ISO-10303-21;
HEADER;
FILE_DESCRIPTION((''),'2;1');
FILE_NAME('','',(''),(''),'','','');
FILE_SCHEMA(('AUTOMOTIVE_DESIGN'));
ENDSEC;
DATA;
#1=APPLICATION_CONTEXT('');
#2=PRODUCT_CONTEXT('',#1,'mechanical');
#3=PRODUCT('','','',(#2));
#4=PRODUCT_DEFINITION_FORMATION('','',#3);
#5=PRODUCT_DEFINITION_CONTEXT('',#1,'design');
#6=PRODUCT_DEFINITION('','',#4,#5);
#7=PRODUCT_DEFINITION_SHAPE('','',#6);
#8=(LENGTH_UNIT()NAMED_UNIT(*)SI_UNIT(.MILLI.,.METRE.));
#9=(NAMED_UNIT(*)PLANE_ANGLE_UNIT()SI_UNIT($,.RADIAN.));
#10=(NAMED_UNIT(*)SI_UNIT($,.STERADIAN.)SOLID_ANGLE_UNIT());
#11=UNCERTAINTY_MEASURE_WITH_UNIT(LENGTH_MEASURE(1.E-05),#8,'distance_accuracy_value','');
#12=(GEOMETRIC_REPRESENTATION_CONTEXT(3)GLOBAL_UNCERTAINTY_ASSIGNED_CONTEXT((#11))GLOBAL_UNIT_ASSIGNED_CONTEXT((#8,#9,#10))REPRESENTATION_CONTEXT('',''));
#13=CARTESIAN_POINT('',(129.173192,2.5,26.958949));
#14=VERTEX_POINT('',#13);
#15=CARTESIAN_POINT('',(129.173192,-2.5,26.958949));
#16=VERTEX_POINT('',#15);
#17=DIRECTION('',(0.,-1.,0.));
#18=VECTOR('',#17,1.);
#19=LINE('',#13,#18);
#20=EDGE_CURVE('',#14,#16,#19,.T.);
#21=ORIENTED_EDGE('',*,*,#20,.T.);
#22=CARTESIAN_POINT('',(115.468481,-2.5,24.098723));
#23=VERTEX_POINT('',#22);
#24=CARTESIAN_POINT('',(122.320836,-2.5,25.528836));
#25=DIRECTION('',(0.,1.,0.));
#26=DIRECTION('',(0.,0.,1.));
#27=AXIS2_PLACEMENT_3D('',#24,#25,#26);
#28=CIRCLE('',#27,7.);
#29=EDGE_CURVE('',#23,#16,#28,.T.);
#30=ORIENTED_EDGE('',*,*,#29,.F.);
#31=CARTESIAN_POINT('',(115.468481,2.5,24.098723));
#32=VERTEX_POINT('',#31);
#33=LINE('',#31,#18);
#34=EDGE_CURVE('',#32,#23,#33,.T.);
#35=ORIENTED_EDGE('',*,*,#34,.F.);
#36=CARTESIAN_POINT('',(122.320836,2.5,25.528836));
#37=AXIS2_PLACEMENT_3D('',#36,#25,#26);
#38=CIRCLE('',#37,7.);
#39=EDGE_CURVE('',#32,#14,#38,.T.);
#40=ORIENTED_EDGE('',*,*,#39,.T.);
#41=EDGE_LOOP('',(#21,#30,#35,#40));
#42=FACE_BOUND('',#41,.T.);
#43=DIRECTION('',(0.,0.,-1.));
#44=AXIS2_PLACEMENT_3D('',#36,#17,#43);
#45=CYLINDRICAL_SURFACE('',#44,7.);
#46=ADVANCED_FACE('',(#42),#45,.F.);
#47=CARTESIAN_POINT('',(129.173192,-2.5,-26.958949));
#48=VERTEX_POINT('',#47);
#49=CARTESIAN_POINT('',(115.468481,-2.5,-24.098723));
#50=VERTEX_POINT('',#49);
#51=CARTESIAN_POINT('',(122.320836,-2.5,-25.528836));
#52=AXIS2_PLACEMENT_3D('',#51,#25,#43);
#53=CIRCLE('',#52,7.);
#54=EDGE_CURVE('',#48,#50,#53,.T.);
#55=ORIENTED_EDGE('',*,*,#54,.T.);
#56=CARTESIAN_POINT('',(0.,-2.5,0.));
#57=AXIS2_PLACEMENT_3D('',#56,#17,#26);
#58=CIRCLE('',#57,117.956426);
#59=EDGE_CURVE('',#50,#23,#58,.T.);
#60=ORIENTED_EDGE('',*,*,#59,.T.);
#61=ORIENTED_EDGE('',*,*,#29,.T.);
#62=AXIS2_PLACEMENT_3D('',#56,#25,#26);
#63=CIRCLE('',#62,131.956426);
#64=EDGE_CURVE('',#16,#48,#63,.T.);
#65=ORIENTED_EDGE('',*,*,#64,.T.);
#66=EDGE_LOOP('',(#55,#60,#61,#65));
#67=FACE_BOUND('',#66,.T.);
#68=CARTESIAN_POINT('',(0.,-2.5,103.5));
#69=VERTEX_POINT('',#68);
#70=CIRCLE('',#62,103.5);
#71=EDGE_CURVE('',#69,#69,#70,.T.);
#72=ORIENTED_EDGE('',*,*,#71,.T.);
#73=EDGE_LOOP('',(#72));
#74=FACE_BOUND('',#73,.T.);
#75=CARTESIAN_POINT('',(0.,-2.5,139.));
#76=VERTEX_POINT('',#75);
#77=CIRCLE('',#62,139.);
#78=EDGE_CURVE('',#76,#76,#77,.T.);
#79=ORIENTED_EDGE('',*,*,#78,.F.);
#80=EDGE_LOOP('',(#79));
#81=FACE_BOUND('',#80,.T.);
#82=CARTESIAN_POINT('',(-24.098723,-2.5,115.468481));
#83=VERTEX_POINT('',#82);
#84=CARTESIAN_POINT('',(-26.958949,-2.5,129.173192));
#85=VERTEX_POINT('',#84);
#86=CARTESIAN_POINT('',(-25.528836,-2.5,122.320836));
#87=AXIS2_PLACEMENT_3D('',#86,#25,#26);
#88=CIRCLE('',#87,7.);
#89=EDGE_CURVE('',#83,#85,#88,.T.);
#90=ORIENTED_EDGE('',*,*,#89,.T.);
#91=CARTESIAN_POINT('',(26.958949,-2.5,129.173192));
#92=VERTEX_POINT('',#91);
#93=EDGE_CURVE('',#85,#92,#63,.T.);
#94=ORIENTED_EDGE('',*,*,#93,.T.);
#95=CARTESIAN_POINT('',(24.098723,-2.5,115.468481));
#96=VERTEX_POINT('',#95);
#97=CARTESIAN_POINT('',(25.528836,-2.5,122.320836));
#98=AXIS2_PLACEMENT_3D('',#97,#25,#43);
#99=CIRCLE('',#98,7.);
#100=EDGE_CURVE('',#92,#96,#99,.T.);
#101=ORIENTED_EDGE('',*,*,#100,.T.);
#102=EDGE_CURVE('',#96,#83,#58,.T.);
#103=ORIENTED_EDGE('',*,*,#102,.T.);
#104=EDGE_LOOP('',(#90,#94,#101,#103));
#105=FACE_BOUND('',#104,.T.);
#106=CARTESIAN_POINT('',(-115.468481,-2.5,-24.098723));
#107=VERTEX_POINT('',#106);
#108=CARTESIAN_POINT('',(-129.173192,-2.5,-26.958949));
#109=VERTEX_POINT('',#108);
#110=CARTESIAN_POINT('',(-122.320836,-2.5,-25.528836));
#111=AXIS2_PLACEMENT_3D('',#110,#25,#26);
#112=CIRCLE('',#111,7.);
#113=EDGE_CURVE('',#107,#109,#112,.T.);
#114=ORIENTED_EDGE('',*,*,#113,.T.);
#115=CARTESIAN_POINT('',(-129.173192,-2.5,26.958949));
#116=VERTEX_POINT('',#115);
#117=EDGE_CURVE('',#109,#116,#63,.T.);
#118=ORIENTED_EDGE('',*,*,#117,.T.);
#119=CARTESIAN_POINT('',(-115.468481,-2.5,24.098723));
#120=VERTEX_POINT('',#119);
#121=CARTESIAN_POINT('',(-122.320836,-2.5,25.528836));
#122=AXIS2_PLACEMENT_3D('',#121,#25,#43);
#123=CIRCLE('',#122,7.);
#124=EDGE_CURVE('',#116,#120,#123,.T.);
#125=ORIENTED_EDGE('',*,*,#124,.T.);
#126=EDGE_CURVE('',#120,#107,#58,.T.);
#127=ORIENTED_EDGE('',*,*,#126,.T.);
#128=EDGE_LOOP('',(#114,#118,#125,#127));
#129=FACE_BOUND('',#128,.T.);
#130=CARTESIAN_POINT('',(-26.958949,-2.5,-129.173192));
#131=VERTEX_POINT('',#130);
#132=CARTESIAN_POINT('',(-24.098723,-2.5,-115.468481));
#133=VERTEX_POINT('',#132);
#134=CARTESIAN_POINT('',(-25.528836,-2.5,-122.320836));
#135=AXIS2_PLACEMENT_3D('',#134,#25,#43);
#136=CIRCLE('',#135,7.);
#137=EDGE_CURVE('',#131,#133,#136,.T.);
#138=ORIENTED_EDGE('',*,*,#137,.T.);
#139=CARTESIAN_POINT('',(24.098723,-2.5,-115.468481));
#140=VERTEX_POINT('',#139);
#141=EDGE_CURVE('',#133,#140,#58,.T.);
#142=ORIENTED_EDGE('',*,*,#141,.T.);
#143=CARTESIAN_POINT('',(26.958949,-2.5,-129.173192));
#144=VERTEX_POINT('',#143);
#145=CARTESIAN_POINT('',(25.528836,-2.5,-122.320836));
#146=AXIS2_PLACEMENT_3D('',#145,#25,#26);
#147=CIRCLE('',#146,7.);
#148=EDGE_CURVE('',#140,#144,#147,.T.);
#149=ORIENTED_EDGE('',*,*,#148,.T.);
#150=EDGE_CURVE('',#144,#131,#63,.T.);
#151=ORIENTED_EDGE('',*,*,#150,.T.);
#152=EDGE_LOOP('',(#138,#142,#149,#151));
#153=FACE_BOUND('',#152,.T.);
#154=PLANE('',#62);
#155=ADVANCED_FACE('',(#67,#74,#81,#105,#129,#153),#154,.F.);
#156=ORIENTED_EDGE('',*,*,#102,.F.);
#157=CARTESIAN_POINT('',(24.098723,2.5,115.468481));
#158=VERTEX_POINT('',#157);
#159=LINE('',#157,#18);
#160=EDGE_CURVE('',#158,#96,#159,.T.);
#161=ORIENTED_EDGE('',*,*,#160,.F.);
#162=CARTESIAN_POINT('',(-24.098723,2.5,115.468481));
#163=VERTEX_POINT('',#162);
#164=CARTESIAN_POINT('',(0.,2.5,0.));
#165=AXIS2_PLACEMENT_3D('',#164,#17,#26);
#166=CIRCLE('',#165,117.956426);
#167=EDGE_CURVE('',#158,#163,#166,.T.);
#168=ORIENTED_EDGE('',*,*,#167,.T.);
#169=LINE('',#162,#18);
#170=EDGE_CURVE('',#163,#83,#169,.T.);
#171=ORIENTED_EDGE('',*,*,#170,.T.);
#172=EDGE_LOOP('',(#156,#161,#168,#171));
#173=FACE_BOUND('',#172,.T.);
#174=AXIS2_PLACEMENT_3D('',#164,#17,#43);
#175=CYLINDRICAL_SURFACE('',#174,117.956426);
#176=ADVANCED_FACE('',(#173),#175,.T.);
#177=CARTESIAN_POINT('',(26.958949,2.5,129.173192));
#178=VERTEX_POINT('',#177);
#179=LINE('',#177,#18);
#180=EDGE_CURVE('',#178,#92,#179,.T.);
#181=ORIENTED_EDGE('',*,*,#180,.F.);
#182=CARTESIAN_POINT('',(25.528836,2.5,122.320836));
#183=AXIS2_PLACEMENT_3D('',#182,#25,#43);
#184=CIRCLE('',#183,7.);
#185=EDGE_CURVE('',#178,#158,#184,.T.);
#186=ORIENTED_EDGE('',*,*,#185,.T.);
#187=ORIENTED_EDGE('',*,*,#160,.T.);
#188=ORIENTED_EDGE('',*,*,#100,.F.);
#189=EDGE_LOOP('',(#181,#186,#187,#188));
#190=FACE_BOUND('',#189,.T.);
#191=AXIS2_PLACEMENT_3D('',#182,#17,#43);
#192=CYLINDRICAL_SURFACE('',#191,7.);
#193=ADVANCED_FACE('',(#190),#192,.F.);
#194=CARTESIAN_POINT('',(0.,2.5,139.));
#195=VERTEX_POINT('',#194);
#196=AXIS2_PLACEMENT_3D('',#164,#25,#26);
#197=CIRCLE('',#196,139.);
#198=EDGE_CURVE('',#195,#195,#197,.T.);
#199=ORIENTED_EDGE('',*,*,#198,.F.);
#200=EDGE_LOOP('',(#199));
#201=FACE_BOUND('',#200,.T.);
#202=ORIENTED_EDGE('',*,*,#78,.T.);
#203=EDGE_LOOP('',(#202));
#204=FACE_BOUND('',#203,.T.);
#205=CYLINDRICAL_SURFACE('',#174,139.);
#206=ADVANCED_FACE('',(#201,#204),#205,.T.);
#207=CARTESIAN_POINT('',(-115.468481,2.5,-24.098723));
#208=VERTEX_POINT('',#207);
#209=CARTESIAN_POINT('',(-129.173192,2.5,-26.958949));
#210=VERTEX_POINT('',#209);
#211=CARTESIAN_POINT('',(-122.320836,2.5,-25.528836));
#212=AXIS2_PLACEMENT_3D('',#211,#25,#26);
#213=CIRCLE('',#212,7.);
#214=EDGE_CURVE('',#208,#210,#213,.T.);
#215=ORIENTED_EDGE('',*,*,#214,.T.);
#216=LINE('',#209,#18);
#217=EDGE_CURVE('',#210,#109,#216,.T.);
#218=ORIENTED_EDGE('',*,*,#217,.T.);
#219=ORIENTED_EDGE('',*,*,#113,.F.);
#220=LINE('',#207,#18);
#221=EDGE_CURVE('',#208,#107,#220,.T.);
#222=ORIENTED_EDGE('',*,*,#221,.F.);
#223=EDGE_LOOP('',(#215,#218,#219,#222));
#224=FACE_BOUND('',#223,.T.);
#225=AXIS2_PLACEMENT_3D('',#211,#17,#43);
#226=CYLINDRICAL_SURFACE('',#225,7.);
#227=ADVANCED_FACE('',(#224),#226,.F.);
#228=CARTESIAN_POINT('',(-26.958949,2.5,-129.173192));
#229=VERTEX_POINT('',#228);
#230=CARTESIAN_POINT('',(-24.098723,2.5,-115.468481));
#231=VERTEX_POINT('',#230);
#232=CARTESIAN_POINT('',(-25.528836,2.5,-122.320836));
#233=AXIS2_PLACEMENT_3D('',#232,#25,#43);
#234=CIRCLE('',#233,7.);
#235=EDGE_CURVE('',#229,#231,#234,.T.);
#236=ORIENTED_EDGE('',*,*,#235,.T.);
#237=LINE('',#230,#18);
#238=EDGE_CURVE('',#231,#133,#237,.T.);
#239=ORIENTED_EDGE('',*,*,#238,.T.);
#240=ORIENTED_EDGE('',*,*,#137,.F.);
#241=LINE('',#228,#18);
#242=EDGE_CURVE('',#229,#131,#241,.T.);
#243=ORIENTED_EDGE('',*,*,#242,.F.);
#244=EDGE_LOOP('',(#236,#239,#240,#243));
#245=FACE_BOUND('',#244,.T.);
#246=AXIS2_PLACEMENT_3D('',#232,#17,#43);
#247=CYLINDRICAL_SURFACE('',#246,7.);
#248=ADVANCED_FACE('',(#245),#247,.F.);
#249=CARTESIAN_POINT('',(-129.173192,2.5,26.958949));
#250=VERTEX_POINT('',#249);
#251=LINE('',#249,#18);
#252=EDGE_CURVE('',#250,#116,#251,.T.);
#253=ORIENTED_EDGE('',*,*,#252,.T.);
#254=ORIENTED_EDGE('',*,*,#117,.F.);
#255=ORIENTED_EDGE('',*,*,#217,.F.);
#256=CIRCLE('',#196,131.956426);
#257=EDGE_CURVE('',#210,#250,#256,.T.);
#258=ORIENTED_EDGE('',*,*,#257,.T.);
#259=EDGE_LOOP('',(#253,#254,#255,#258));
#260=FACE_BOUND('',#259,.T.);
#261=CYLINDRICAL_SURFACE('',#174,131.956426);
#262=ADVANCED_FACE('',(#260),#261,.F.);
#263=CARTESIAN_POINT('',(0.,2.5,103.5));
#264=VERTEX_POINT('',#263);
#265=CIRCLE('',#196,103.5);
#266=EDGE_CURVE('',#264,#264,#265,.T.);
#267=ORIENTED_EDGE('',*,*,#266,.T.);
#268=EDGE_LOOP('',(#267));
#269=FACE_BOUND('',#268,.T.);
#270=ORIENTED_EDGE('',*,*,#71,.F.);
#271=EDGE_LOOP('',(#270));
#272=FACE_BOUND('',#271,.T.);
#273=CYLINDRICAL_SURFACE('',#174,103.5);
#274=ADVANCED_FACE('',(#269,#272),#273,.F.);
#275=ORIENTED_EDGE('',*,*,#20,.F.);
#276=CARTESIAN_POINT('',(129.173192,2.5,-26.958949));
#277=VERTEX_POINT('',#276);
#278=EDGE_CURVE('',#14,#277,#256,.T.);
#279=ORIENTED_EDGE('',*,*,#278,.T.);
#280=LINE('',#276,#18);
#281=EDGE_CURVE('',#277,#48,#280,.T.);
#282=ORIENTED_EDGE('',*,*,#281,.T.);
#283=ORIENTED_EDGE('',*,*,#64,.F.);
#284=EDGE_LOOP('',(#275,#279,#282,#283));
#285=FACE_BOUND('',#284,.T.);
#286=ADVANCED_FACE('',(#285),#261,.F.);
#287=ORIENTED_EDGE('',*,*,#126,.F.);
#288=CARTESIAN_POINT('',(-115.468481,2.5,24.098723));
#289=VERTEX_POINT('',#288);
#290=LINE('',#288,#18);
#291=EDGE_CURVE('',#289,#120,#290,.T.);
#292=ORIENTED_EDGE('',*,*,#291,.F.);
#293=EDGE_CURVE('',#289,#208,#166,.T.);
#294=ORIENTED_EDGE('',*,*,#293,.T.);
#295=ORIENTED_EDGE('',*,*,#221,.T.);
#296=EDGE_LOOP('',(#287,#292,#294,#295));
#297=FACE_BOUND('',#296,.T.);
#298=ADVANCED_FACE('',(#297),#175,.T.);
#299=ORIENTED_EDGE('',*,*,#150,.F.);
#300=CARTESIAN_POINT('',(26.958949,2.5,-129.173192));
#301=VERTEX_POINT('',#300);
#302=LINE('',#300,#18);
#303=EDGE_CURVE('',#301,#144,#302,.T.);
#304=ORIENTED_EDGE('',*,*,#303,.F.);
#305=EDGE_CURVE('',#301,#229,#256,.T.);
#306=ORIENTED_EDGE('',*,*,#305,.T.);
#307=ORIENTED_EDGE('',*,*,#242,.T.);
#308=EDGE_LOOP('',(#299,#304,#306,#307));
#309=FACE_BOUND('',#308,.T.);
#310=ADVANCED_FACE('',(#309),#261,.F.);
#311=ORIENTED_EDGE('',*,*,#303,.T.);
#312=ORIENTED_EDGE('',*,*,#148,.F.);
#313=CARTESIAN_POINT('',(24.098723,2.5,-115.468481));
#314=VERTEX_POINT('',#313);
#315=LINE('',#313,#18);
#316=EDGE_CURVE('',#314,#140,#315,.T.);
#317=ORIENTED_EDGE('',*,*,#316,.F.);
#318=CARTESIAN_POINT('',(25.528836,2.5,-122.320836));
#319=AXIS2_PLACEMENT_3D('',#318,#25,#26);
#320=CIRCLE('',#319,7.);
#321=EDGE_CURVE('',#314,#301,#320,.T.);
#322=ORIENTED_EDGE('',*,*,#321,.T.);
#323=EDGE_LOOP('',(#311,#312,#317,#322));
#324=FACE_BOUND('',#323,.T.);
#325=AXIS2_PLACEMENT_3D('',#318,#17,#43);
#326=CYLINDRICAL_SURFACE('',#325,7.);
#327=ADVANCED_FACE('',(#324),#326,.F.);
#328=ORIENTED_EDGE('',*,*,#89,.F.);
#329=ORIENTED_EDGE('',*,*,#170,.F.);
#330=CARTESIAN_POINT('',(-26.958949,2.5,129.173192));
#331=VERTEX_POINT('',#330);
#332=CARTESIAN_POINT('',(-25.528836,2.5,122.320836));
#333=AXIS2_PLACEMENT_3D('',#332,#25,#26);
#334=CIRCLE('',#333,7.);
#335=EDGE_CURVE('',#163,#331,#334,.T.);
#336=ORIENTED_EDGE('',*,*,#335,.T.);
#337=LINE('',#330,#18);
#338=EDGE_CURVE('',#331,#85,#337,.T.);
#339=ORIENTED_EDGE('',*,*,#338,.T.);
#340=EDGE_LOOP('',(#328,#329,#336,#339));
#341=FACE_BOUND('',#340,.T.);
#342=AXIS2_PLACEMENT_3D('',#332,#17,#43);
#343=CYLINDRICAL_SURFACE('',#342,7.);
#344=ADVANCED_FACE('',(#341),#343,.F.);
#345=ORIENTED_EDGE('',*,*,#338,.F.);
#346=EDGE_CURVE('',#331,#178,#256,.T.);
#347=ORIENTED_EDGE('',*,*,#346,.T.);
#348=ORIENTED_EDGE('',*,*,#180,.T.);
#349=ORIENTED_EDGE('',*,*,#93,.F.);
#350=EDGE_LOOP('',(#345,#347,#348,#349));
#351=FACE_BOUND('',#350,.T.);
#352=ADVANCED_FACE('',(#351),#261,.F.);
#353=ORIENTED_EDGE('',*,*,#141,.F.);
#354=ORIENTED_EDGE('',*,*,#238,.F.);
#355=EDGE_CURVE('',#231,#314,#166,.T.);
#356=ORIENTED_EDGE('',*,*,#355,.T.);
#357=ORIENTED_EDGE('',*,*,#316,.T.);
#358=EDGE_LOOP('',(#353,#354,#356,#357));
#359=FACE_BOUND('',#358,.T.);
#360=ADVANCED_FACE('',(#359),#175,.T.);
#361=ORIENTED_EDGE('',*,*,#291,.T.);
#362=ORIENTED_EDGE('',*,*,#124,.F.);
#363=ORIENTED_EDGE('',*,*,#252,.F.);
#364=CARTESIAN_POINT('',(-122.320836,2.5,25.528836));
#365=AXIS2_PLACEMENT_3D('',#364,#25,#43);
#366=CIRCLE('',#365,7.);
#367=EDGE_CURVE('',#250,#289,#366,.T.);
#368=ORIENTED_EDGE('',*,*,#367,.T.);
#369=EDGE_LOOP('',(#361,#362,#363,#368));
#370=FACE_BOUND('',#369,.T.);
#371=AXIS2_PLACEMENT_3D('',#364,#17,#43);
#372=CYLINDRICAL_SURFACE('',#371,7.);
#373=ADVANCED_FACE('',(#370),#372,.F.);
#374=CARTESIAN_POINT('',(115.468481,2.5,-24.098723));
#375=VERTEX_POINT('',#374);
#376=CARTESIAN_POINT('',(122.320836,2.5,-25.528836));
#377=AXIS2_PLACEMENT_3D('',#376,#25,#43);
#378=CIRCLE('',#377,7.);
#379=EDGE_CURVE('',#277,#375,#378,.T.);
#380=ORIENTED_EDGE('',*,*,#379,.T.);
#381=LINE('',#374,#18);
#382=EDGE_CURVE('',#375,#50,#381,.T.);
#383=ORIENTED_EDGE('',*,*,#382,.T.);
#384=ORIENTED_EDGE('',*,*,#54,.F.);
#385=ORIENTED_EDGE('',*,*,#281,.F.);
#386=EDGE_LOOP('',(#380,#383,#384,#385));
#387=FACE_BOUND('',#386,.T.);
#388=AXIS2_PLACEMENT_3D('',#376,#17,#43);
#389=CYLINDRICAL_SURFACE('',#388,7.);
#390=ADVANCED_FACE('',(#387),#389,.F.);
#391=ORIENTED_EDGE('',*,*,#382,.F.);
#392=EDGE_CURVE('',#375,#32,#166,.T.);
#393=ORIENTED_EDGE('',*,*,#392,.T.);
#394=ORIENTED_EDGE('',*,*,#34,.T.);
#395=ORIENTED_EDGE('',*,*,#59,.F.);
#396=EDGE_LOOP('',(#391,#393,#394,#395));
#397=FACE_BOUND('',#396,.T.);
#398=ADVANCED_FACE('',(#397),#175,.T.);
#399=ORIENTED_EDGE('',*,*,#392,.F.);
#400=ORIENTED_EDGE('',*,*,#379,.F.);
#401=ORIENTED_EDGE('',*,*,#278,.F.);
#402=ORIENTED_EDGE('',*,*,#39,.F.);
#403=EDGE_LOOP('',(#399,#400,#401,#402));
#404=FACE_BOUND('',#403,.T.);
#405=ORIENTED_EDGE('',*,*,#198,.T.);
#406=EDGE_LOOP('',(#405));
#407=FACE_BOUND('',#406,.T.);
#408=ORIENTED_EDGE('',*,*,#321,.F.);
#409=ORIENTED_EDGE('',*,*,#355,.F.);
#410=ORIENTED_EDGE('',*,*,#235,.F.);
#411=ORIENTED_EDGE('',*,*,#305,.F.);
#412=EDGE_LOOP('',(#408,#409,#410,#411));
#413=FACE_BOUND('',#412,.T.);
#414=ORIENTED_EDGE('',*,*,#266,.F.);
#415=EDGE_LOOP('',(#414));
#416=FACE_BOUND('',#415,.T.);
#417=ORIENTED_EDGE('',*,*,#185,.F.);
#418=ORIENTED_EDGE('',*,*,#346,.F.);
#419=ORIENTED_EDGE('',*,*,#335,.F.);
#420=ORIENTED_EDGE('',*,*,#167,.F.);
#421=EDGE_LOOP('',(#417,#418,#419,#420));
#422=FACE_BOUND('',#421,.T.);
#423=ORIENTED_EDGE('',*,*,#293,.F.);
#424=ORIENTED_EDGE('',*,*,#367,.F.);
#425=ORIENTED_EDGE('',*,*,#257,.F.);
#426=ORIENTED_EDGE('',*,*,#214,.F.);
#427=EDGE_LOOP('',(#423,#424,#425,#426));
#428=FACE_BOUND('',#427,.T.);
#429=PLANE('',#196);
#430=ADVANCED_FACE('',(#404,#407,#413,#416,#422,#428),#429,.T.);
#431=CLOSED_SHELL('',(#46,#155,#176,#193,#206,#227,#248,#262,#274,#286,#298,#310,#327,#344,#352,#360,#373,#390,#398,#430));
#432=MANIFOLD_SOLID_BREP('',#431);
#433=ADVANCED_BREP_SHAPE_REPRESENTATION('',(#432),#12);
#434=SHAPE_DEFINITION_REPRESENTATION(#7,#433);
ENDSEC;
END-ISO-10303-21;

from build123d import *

# Parameters (mm, degrees)
SCHIZZO1_R                   = 139
SCHIZZO1_R_2                 = 103.5
ESTRUSIONE_ESTRUSIONE1_DEPTH = 2.5


with BuildPart() as part:
    # Schizzo1 → Estrusione-Estrusione1 (new, symmetric)
    with BuildSketch(Plane(origin=(0, 0, 0), x_dir=(1, 0, 0), z_dir=(0, 1, 0))):
        with Locations(Location((0, 0, 0), (0, 0, 270))):
            Circle(SCHIZZO1_R)
        with Locations(Location((0, 0, 0), (0, 0, 270))):
            Circle(SCHIZZO1_R_2, mode=Mode.SUBTRACT)
        with BuildLine():
            ThreePointArc((-115.468480571, 24.098722638), (-120.890722726, 32.381191474), (-129.173191562, 26.958949319))
            ThreePointArc((-129.173191562, 26.958949319), (-131.956426015, 0), (-129.173191562, -26.958949319))
            ThreePointArc((-129.173191562, -26.958949319), (-120.890722726, -32.381191474), (-115.468480571, -24.098722638))
            ThreePointArc((-115.468480571, -24.098722638), (-117.956426015, 0), (-115.468480571, 24.098722638))
        make_face(mode=Mode.SUBTRACT)
        with BuildLine():
            ThreePointArc((-24.098722638, 115.468480571), (-32.381191474, 120.890722726), (-26.958949319, 129.173191562))
            ThreePointArc((-26.958949319, 129.173191562), (0, 131.956426015), (26.958949319, 129.173191562))
            ThreePointArc((26.958949319, 129.173191562), (32.381191474, 120.890722726), (24.098722638, 115.468480571))
            ThreePointArc((24.098722638, 115.468480571), (0, 117.956426015), (-24.098722638, 115.468480571))
        make_face(mode=Mode.SUBTRACT)
        with BuildLine():
            ThreePointArc((115.468480571, 24.098722638), (120.890722726, 32.381191474), (129.173191562, 26.958949319))
            ThreePointArc((129.173191562, 26.958949319), (131.956426015, 0), (129.173191562, -26.958949319))
            ThreePointArc((129.173191562, -26.958949319), (120.890722726, -32.381191474), (115.468480571, -24.098722638))
            ThreePointArc((115.468480571, -24.098722638), (117.956426015, 0), (115.468480571, 24.098722638))
        make_face(mode=Mode.SUBTRACT)
        with BuildLine():
            ThreePointArc((24.098722638, -115.468480571), (32.381191474, -120.890722726), (26.958949319, -129.173191562))
            ThreePointArc((26.958949319, -129.173191562), (0, -131.956426015), (-26.958949319, -129.173191562))
            ThreePointArc((-26.958949319, -129.173191562), (-32.381191474, -120.890722726), (-24.098722638, -115.468480571))
            ThreePointArc((-24.098722638, -115.468480571), (0, -117.956426015), (24.098722638, -115.468480571))
        make_face(mode=Mode.SUBTRACT)
    extrude(amount=ESTRUSIONE_ESTRUSIONE1_DEPTH, both=True)


solid = part.part
